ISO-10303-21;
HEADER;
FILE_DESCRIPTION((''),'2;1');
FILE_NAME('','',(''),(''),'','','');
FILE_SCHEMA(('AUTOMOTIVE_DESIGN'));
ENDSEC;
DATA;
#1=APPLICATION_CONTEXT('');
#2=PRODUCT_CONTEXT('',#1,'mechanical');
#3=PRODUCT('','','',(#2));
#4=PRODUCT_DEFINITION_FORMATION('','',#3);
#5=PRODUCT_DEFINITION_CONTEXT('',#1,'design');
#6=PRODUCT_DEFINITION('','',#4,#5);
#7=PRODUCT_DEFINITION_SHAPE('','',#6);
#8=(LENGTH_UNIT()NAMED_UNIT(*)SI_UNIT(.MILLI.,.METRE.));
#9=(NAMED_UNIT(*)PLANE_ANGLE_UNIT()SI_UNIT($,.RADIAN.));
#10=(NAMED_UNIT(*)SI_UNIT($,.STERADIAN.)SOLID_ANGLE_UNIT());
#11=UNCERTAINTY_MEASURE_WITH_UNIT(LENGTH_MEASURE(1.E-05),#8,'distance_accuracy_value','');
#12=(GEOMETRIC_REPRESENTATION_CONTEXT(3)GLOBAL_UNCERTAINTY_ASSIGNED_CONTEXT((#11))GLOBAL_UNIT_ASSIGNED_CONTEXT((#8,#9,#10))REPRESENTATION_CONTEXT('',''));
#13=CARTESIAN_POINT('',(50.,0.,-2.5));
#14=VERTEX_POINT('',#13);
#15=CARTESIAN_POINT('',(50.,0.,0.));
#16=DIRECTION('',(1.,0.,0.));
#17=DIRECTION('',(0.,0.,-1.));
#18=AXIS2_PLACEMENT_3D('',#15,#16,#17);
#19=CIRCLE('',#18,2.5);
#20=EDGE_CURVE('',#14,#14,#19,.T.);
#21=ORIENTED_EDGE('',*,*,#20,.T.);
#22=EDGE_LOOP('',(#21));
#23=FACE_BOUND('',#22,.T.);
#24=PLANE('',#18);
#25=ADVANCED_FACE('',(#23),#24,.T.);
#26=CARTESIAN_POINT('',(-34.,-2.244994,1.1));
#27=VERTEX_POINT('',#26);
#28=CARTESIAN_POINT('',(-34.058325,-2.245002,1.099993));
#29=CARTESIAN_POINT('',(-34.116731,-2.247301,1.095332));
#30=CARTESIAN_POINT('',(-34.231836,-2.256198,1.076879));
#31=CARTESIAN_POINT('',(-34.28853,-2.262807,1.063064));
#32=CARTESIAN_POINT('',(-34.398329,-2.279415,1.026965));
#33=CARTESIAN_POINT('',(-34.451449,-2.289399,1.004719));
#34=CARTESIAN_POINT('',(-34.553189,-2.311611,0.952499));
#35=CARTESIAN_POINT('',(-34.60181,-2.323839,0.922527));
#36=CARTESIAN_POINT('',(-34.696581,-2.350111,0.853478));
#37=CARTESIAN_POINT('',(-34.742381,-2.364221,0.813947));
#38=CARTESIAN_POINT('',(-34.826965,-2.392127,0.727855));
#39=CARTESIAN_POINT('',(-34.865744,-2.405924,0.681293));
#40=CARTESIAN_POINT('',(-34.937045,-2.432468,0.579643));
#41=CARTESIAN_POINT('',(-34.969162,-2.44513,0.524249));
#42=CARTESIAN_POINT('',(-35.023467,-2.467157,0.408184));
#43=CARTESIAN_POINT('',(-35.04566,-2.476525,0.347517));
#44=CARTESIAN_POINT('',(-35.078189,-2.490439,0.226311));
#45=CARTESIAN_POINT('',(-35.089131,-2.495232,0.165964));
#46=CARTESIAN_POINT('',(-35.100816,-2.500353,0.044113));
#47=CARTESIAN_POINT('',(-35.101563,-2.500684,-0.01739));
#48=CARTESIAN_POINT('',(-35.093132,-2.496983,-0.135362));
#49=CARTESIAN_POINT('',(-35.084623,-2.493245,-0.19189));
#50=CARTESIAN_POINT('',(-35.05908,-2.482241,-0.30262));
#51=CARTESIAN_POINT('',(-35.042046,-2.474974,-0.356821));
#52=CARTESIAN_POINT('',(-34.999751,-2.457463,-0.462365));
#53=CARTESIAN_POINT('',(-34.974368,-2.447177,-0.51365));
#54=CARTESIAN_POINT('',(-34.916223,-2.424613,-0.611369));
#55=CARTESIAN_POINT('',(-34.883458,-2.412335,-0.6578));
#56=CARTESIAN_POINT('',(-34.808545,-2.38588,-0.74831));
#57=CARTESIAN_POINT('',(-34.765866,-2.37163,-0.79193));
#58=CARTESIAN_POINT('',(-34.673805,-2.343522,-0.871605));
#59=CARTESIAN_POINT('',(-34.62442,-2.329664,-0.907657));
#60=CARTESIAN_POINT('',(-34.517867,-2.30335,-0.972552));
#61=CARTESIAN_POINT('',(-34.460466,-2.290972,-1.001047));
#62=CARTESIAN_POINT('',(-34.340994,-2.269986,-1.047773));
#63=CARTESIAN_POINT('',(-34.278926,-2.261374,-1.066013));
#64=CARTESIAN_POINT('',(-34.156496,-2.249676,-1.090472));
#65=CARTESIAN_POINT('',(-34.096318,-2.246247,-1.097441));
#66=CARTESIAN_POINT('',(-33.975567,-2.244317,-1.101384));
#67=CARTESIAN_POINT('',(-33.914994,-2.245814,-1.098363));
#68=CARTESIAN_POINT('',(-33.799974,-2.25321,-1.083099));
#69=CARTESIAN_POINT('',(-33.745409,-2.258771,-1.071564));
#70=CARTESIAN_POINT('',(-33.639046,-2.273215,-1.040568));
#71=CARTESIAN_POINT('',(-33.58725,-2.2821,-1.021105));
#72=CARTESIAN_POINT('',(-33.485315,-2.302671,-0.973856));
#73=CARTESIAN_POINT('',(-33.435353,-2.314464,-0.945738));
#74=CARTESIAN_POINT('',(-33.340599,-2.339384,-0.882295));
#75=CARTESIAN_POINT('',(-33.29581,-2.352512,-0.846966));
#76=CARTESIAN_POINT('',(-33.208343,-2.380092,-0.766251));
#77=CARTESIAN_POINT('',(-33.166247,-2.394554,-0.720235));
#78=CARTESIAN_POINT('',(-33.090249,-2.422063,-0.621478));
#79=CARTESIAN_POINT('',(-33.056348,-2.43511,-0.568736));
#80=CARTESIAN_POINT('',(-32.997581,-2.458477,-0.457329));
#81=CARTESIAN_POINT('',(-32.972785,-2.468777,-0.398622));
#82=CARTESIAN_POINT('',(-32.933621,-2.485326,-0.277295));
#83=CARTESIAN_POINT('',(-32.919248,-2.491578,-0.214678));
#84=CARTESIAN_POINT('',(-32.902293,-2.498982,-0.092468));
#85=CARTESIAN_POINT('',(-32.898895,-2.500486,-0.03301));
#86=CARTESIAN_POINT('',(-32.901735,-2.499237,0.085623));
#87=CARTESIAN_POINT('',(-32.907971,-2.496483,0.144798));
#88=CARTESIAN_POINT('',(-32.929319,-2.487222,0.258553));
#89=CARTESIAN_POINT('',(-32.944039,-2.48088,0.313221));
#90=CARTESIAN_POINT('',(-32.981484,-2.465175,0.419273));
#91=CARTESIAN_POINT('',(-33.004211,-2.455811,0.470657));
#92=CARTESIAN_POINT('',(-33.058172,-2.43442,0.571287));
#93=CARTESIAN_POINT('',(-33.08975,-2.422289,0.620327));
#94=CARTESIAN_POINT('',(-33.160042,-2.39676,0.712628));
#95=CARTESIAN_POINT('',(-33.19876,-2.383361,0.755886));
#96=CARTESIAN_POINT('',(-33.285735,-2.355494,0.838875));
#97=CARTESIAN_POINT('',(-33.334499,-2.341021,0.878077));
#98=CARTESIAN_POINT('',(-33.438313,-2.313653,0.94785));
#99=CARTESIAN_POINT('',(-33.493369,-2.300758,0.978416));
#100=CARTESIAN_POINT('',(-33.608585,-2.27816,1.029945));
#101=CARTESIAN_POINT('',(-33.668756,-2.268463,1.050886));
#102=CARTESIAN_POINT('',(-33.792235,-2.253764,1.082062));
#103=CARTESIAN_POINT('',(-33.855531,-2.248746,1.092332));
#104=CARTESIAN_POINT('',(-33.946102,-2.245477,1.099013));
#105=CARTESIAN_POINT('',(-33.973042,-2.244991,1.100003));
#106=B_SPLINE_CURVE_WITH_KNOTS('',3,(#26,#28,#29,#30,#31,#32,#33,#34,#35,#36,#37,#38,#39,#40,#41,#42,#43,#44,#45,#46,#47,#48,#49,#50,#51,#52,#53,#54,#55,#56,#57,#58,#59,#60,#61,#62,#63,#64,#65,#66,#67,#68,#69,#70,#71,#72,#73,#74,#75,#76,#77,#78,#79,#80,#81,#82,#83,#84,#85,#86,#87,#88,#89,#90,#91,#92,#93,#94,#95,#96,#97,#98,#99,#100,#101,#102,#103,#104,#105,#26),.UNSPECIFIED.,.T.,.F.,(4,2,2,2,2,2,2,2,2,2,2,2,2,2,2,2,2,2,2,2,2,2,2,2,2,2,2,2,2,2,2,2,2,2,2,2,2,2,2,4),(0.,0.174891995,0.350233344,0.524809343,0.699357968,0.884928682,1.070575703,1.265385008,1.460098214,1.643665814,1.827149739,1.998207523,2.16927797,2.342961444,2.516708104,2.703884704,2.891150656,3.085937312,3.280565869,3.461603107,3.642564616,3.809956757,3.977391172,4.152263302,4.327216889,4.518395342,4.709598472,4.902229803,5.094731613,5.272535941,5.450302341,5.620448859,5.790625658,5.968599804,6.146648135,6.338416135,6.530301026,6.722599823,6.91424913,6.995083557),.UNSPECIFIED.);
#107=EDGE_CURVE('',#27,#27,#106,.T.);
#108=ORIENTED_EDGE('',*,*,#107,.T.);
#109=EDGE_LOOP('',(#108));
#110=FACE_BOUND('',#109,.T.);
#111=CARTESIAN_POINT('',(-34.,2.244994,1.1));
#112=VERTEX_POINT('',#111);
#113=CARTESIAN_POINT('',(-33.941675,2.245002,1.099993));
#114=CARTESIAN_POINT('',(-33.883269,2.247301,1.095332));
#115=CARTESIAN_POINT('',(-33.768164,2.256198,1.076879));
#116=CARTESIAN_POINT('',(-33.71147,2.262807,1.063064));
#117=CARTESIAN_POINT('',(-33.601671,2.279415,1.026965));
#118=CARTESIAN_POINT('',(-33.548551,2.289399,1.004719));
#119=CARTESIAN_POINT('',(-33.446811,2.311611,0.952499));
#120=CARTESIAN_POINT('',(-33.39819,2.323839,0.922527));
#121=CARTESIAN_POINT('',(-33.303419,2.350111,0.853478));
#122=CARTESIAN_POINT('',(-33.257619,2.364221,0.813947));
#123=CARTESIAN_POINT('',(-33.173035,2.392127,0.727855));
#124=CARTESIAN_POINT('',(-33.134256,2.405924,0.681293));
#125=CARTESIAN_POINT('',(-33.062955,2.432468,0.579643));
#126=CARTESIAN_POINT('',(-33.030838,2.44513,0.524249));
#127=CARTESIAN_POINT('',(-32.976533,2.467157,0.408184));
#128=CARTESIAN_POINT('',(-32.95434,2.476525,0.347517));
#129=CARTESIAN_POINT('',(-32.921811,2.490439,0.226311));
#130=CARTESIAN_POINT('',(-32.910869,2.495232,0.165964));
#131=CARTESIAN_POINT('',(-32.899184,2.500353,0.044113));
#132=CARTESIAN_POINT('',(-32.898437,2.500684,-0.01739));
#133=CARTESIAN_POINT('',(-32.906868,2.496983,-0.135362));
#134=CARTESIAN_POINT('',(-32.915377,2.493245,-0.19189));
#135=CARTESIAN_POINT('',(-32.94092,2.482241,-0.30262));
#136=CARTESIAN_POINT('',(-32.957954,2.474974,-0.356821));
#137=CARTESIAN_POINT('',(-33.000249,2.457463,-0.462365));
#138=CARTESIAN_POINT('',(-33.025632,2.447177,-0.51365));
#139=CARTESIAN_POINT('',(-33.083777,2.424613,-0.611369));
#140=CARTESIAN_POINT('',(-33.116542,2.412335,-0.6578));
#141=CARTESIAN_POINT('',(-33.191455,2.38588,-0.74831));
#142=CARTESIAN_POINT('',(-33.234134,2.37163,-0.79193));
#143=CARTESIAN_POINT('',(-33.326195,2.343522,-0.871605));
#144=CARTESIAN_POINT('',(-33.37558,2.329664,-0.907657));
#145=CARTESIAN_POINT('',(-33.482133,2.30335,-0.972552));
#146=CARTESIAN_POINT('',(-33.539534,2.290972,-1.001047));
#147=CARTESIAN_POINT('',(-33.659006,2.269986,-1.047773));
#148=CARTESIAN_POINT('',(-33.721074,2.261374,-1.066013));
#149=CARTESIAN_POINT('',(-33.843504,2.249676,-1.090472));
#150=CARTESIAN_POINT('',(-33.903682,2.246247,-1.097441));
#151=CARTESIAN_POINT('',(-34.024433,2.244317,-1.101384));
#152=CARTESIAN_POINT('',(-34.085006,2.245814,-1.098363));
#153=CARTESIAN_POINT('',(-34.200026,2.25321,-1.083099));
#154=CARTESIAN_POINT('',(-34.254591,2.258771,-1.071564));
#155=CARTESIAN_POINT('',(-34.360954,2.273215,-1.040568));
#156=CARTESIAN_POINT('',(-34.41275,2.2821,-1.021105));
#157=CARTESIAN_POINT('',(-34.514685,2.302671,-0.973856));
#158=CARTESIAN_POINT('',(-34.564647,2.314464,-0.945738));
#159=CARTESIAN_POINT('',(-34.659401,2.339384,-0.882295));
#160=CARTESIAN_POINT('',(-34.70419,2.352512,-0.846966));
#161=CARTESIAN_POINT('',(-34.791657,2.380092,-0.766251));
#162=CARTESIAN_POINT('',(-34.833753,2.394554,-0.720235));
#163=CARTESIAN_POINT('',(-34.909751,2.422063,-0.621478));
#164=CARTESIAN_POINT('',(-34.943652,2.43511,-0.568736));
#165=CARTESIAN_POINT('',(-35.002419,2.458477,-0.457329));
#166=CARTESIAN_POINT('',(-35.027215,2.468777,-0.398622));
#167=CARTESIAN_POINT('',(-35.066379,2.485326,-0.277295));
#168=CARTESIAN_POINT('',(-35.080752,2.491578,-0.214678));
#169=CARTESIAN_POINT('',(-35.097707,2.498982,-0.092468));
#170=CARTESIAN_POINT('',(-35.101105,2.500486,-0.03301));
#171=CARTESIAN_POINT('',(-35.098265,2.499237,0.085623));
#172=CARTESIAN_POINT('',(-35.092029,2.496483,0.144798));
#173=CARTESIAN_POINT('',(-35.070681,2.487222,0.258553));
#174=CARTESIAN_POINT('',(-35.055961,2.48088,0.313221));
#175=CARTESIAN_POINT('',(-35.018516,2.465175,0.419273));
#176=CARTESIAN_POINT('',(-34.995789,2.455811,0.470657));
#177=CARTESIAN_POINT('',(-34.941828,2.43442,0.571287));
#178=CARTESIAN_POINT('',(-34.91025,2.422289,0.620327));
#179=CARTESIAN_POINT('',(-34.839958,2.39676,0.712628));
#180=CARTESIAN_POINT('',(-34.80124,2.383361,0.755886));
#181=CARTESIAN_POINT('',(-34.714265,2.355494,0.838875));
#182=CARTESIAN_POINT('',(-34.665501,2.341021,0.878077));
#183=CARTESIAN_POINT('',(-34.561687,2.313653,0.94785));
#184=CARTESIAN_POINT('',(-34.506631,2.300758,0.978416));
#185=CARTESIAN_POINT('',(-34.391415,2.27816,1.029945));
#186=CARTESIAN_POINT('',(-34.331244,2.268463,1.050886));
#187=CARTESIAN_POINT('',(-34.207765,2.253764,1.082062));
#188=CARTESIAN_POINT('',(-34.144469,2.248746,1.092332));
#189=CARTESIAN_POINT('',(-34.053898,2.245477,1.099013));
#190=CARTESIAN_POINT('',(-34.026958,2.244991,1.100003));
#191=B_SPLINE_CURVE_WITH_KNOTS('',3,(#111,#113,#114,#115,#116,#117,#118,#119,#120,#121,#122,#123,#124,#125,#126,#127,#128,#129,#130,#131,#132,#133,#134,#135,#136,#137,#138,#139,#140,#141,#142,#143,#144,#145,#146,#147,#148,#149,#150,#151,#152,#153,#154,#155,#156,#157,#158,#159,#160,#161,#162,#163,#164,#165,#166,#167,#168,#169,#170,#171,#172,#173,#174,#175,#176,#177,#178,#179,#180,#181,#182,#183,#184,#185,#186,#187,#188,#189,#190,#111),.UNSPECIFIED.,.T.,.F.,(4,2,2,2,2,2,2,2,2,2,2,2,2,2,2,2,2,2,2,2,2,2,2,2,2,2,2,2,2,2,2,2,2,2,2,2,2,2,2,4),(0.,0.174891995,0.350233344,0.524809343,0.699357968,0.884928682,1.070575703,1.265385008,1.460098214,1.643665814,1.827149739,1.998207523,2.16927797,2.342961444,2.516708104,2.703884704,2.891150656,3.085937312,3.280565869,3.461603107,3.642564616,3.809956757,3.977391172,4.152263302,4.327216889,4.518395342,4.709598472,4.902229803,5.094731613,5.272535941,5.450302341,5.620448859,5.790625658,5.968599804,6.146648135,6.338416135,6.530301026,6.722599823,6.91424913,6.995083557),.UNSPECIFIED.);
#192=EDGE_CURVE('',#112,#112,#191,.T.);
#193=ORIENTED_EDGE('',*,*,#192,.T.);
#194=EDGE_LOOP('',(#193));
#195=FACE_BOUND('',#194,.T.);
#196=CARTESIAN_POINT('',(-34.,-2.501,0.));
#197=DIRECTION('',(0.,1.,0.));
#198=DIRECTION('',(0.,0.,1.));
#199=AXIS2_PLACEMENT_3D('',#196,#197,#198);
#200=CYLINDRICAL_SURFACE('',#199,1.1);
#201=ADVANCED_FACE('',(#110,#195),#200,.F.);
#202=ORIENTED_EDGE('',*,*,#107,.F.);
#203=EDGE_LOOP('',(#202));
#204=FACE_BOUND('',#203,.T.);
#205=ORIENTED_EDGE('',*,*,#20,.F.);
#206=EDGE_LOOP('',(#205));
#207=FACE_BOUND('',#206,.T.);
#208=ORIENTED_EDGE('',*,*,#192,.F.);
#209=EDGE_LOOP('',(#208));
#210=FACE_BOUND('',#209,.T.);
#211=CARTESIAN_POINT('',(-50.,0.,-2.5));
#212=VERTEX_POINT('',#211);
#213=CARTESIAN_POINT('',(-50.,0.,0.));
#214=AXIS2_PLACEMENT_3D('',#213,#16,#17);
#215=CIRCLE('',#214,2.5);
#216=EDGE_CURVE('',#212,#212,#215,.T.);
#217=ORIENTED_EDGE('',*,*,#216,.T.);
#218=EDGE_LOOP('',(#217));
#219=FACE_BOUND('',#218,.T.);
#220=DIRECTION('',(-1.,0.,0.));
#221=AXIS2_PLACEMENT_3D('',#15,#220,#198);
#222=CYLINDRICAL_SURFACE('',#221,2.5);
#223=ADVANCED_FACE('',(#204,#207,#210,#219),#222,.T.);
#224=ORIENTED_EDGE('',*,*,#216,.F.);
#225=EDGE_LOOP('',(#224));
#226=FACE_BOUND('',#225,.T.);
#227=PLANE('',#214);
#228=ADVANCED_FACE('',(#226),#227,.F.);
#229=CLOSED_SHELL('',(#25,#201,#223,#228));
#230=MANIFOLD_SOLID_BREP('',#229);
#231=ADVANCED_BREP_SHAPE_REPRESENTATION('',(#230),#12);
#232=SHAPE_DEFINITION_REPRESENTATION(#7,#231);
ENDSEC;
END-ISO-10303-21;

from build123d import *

# Parameters (mm, degrees)
SKETCH3_R           = 2.5
BOSS_EXTRUDE1_DEPTH = 50
CUT_EXTRUDE1_REACH  = 52.312
SKETCH4_R           = 1.1


with BuildPart() as part:
    # Sketch3 → Boss-Extrude1 (new, symmetric)
    with BuildSketch(Plane(origin=(0, 0, 0), x_dir=(0, 0, -1), z_dir=(1, 0, 0))):
        Circle(SKETCH3_R)
    extrude(amount=BOSS_EXTRUDE1_DEPTH, both=True)

    # Sketch4 → Cut-Extrude1 (cut, up to next)
    with BuildSketch(Plane(origin=(0, 2.5, 0), x_dir=(1, 0, 0), z_dir=(0, 1, 0)), mode=Mode.PRIVATE) as cut_extrude1_sk1:
        with Locations(Location((-34, 0, 0), (0, 0, 270))):
            Circle(SKETCH4_R)
    cut_extrude1_tool1 = extrude(cut_extrude1_sk1.sketch, amount=-CUT_EXTRUDE1_REACH, mode=Mode.PRIVATE) & part.part
    add(cut_extrude1_tool1.solids().sort_by_distance((-34, 2.5, 0))[0], mode=Mode.SUBTRACT)


solid = part.part
